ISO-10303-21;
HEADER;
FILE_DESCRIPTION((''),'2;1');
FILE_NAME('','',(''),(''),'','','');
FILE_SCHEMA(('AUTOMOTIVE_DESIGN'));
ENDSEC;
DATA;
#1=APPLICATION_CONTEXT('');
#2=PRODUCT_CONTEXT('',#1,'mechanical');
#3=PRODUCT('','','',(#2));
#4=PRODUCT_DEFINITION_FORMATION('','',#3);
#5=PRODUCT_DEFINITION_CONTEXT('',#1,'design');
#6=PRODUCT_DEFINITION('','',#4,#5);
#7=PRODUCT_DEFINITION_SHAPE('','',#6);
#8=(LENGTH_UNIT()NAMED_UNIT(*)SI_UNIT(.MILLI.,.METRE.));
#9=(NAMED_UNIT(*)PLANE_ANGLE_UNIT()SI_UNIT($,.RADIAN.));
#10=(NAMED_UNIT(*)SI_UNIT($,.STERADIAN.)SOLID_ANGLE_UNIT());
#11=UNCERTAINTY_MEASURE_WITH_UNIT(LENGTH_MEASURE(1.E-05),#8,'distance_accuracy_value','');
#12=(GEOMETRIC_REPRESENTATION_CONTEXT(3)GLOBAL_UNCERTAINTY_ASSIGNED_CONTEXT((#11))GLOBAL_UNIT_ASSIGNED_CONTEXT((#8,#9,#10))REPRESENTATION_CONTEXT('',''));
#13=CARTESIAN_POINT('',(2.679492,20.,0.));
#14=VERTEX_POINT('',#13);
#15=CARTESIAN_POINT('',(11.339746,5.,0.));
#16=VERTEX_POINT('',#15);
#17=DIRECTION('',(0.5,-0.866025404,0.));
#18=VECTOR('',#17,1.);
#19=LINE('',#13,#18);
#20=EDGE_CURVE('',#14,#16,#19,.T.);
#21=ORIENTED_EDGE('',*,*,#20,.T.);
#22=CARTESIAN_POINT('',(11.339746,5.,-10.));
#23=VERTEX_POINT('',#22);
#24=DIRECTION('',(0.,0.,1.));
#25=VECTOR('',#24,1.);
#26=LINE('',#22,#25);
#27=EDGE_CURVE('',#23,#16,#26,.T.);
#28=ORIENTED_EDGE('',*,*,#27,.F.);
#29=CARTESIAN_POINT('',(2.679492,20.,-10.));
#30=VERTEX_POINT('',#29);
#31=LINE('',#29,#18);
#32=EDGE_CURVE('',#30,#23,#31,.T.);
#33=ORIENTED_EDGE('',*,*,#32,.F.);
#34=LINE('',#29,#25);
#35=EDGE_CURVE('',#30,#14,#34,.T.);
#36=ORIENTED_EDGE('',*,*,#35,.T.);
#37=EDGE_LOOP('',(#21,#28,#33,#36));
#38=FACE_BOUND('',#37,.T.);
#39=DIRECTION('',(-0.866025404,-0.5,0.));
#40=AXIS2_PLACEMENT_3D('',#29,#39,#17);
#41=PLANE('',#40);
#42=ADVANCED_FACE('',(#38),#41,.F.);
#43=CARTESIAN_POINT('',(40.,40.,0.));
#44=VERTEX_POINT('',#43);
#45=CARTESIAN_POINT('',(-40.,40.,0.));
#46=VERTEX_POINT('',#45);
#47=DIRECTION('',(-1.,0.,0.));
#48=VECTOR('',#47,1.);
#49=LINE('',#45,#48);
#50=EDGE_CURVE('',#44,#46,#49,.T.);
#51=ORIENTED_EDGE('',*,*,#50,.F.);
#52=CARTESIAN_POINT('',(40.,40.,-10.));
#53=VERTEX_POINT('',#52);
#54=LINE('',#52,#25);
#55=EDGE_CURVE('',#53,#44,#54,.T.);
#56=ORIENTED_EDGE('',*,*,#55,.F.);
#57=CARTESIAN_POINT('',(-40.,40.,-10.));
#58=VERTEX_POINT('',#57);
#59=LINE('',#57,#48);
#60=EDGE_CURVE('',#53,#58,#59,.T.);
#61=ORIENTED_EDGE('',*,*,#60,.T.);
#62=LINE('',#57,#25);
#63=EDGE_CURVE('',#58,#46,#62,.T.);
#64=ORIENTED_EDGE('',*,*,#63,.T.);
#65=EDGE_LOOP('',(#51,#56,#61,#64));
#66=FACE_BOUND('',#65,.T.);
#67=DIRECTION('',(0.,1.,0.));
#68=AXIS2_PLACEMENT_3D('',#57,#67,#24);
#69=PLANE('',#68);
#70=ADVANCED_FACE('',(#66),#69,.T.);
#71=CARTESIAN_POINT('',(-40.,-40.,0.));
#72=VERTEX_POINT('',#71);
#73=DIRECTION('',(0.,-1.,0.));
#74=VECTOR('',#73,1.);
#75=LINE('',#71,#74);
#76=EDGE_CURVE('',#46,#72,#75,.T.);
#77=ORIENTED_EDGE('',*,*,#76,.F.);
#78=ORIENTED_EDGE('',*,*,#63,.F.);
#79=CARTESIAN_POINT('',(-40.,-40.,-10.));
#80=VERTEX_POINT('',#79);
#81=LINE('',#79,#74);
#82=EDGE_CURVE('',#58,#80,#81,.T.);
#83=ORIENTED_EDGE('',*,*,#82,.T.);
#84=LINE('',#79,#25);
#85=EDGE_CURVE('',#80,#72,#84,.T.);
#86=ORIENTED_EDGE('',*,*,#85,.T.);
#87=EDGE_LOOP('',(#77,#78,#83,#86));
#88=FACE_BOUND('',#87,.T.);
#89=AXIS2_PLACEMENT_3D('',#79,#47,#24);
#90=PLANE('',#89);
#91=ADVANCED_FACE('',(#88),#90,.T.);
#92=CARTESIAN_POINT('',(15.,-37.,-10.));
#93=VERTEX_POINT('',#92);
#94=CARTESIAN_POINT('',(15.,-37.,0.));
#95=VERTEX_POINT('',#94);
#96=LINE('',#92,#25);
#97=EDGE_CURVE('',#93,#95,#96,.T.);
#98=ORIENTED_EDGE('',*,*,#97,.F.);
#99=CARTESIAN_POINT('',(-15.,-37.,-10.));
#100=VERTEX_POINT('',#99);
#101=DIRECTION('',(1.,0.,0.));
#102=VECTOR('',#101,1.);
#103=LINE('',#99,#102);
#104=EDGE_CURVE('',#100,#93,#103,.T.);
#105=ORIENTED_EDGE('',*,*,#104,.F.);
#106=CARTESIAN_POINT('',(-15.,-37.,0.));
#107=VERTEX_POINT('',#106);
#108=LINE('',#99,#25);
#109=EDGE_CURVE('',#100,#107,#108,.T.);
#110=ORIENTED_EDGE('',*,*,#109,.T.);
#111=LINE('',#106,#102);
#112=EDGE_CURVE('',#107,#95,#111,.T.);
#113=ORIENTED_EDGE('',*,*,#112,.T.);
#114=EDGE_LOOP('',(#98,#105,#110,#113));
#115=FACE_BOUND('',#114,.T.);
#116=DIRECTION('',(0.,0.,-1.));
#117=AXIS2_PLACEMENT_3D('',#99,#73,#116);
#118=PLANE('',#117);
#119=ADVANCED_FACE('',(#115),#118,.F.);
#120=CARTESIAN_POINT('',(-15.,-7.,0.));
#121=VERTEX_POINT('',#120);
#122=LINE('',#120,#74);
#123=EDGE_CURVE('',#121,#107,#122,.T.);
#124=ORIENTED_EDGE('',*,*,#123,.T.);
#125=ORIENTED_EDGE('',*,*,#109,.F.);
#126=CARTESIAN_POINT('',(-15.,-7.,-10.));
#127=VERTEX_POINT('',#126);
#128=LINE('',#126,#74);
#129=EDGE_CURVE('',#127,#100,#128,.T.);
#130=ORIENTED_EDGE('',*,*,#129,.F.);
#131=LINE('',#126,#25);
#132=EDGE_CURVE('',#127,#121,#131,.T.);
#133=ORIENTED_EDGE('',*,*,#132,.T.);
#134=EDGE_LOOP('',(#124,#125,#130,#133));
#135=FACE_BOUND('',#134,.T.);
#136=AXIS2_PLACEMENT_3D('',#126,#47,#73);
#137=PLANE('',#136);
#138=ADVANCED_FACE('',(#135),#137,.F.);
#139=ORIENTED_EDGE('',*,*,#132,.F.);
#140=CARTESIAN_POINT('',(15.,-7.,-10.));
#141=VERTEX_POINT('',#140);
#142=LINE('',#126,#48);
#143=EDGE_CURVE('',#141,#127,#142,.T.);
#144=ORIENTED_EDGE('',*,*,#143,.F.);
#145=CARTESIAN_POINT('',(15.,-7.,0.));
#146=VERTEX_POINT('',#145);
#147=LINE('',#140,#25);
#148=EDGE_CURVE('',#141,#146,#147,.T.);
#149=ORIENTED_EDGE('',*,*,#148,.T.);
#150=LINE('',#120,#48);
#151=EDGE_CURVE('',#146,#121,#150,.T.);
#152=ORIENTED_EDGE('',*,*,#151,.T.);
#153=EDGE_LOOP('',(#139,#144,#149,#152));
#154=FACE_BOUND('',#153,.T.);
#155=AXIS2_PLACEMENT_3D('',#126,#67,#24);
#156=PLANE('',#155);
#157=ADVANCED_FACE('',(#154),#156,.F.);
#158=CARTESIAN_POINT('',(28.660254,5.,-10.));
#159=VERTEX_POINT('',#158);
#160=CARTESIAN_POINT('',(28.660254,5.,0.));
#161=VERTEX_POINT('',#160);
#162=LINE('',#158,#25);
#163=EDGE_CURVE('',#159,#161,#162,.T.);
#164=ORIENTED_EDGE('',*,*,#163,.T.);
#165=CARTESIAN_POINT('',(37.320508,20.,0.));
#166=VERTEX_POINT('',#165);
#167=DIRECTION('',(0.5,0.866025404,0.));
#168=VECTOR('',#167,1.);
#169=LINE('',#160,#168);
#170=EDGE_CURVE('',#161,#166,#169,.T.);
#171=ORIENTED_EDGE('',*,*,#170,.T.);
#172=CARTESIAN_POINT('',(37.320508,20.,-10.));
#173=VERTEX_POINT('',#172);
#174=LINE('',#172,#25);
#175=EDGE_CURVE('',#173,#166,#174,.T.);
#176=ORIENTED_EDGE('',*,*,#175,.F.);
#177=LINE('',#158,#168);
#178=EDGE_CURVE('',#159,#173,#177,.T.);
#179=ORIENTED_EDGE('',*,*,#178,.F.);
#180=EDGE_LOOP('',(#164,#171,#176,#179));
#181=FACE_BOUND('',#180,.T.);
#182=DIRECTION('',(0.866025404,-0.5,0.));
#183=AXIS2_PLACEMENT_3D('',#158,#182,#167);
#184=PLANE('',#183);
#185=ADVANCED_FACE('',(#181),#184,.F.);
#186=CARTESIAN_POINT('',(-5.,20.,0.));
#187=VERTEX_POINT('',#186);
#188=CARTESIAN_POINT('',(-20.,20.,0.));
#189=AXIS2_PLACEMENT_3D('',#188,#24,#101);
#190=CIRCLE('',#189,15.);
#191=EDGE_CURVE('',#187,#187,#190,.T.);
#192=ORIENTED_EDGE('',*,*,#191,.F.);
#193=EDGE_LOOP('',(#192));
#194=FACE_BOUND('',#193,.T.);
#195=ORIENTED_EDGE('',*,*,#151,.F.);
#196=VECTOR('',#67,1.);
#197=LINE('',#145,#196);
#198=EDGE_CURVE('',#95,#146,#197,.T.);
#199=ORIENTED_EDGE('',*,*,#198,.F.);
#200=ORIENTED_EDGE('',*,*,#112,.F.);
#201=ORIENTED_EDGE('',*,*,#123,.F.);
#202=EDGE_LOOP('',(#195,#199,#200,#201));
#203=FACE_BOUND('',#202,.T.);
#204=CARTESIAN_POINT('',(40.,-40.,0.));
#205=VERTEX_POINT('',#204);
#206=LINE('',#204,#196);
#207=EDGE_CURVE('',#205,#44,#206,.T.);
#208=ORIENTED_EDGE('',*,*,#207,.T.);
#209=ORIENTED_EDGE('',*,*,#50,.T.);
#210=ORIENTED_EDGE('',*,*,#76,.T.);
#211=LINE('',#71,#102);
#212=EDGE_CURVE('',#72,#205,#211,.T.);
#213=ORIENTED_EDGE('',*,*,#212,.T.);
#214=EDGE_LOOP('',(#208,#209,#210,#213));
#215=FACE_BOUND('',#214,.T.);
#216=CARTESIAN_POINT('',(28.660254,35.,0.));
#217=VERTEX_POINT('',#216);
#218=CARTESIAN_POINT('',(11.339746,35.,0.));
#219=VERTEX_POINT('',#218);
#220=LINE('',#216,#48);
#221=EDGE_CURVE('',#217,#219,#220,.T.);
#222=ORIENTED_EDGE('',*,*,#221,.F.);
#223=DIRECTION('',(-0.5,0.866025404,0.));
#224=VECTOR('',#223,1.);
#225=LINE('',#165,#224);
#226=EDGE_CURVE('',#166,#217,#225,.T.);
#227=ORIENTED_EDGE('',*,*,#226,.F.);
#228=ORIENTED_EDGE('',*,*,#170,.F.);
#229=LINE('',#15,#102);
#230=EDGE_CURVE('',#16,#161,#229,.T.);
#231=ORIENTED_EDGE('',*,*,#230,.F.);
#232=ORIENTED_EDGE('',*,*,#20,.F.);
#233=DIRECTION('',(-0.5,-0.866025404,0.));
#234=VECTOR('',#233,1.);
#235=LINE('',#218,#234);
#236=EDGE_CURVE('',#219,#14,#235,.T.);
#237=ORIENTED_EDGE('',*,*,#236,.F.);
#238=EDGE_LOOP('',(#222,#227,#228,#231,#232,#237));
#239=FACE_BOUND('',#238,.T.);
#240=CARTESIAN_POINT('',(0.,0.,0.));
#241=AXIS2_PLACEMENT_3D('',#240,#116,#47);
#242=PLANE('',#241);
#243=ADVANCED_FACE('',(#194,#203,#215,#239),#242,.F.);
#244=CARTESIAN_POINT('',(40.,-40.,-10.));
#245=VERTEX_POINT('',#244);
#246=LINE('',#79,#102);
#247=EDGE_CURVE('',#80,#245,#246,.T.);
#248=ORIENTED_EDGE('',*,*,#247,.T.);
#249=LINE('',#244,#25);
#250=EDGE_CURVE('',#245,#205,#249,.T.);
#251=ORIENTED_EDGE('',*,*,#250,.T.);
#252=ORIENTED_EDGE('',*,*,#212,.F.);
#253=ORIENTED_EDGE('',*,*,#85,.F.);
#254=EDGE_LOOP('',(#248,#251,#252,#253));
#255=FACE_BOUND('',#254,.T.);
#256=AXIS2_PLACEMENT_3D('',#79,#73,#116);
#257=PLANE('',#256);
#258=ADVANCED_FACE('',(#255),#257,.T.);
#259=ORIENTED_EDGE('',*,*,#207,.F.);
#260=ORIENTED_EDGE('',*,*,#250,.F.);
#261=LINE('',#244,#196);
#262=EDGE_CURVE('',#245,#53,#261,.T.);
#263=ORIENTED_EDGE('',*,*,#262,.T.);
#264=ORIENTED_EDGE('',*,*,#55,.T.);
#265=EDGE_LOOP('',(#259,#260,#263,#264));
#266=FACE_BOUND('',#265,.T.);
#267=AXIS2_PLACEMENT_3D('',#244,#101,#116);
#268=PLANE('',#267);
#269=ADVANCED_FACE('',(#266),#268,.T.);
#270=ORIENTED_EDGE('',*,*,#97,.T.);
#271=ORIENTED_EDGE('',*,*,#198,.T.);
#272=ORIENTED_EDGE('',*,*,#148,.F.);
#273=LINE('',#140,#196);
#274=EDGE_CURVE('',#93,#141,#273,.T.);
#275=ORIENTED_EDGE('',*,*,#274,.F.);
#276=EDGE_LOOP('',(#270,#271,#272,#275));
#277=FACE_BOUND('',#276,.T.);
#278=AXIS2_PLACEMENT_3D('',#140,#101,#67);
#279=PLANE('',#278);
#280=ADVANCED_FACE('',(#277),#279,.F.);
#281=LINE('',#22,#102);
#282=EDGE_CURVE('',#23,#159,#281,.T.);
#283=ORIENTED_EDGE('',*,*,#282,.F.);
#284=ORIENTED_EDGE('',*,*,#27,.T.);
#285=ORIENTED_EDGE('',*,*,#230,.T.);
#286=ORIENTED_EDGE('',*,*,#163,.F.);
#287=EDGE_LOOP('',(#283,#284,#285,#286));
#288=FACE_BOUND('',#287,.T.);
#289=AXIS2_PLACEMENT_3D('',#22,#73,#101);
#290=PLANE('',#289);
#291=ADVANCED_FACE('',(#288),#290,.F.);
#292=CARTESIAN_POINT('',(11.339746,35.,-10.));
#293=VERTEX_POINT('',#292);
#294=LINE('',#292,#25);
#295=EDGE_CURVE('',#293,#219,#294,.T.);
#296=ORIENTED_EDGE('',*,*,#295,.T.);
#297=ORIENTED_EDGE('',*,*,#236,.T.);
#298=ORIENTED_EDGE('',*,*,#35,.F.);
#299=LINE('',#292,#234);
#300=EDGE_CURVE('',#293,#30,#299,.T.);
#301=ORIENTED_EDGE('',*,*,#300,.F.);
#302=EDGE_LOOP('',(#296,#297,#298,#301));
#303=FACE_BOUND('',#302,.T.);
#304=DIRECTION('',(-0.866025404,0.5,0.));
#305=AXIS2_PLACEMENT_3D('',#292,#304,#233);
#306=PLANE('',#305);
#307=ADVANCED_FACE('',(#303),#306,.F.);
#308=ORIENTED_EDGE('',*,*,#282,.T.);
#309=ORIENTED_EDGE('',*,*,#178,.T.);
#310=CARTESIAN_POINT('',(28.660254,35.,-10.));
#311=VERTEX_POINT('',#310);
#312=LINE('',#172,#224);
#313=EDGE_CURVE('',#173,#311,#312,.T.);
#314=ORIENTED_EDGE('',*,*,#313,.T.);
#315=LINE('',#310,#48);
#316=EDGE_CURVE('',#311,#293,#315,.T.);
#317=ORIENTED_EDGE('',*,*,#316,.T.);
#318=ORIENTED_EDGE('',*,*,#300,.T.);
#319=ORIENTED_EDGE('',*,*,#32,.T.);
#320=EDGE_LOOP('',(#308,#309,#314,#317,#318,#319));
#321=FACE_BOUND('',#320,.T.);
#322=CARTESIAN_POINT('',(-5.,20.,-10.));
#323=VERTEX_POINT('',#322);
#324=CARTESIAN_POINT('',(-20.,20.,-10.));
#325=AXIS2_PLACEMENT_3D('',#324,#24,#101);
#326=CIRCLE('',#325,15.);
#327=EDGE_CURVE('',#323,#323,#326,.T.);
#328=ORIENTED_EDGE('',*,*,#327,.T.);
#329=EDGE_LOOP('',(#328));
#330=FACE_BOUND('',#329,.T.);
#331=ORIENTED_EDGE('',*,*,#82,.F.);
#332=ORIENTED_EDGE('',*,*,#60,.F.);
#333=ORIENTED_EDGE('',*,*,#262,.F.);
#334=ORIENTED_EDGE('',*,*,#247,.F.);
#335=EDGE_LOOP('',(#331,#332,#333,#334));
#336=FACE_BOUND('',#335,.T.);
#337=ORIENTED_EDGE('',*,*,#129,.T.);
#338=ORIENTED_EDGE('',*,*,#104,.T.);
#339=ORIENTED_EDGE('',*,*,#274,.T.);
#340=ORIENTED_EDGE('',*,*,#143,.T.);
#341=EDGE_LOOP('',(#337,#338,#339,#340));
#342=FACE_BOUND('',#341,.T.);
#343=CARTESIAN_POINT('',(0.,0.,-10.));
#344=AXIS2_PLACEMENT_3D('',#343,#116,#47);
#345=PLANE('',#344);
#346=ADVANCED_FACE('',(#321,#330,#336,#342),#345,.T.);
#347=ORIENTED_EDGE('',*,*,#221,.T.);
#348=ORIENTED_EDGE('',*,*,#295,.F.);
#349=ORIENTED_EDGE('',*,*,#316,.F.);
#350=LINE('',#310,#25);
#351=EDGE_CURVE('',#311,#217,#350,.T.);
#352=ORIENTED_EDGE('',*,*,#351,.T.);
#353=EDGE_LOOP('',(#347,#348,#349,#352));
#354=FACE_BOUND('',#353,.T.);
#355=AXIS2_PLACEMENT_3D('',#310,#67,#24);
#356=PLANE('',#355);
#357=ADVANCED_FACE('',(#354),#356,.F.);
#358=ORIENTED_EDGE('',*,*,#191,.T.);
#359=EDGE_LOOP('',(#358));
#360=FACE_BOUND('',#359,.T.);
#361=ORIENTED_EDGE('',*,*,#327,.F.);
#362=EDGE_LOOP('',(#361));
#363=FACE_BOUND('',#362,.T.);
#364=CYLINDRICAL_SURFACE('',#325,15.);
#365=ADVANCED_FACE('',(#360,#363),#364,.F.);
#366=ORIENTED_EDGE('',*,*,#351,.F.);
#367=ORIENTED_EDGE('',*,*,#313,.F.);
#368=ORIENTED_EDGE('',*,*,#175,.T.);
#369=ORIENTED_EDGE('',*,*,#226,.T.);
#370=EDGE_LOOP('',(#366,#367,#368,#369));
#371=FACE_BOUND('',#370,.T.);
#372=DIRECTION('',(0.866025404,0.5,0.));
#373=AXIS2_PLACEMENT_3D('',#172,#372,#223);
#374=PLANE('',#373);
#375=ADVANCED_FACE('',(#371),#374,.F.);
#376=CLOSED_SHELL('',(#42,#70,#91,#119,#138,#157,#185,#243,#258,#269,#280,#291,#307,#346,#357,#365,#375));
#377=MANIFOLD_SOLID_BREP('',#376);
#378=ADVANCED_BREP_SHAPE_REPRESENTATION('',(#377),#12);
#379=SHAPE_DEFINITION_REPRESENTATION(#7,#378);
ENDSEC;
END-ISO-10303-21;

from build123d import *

# Parameters (mm, degrees)
SKETCH1_W           = 80
SKETCH1_H           = 80
SKETCH1_R           = 15
SKETCH1_W_2         = 30
SKETCH1_H_2         = 30
BOSS_EXTRUDE1_DEPTH = 10


with BuildPart() as part:
    # Sketch1 → Boss-Extrude1 (new body)
    with BuildSketch(Plane.XY):
        Rectangle(SKETCH1_W, SKETCH1_H)
        with Locations((-20, 20)):
            Circle(SKETCH1_R, mode=Mode.SUBTRACT)
        Polygon((11.339745962, 35), (2.679491924, 20), (11.339745962, 5), (28.660254038, 5), (37.320508076, 20), (28.660254038, 35), align=None, mode=Mode.SUBTRACT)
        with Locations((0, -22)):
            Rectangle(SKETCH1_W_2, SKETCH1_H_2, mode=Mode.SUBTRACT)
    extrude(amount=-BOSS_EXTRUDE1_DEPTH)


solid = part.part
